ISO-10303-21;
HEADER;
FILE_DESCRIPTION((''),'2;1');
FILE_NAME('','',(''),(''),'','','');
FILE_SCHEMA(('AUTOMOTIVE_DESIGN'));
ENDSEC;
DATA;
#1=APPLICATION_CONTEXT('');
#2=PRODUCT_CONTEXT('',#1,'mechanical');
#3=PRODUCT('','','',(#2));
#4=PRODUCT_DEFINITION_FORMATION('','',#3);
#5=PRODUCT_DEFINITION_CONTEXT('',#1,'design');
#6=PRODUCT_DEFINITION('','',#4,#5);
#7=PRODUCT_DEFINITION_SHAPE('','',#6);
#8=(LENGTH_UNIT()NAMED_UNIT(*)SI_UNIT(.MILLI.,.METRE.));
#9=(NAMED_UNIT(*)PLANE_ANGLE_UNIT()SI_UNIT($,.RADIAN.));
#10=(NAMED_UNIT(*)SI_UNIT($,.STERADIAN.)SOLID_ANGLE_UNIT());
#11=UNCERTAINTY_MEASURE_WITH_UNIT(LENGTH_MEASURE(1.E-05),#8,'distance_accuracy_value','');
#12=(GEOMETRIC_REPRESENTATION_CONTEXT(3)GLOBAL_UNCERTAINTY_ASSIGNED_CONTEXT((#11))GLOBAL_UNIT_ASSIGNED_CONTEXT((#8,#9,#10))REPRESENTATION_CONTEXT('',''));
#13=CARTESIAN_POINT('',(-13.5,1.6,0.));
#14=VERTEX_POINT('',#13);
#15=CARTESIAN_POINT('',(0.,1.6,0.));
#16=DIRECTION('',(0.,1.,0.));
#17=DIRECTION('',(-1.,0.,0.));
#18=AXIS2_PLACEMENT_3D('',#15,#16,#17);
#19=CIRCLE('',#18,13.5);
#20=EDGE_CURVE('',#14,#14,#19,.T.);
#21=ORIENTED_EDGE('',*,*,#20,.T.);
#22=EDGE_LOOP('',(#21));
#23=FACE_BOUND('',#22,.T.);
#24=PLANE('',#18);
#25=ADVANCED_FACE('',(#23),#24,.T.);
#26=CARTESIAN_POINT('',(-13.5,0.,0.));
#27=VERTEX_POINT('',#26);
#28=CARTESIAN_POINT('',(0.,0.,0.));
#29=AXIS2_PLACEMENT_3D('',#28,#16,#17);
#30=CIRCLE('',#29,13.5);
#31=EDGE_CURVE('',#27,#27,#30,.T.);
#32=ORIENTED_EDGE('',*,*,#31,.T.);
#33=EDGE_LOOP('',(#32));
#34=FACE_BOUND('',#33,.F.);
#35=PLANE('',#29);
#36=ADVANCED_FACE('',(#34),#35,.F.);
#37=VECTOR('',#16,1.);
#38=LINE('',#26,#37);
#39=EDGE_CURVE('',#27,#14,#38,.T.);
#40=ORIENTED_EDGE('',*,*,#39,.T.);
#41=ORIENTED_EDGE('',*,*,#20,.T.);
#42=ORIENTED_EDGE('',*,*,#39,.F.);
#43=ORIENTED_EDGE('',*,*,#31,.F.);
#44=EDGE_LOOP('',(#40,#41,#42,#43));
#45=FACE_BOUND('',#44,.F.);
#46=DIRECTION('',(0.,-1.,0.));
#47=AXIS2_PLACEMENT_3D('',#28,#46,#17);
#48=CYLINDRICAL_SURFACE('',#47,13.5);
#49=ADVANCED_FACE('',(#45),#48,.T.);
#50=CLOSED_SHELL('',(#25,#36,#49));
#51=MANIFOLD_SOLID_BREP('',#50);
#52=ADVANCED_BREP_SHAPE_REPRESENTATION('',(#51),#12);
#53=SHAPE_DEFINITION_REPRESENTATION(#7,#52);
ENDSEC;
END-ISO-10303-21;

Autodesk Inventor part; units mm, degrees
ref_plane "YZ Plane" through (0, 0, 0) normal (1, 0, 0) x (0, 1, 0)
ref_plane "XZ Plane" through (0, 0, 0) normal (0, 1, 0) x (-1, 0, 0)
ref_plane "XY Plane" through (0, 0, 0) normal (0, 0, 1) x (1, 0, 0)
sketch "Sketch1" plane through (0, 0, 0) normal (0, 1, 0) x (-1, 0, 0)
  circle A0 centre (0, 0) radius 13.5
  dimension "d0" = 27
extrude "Extrusion1" add sketch "Sketch1" along normal blind 1.6
properties part number "pcb"
